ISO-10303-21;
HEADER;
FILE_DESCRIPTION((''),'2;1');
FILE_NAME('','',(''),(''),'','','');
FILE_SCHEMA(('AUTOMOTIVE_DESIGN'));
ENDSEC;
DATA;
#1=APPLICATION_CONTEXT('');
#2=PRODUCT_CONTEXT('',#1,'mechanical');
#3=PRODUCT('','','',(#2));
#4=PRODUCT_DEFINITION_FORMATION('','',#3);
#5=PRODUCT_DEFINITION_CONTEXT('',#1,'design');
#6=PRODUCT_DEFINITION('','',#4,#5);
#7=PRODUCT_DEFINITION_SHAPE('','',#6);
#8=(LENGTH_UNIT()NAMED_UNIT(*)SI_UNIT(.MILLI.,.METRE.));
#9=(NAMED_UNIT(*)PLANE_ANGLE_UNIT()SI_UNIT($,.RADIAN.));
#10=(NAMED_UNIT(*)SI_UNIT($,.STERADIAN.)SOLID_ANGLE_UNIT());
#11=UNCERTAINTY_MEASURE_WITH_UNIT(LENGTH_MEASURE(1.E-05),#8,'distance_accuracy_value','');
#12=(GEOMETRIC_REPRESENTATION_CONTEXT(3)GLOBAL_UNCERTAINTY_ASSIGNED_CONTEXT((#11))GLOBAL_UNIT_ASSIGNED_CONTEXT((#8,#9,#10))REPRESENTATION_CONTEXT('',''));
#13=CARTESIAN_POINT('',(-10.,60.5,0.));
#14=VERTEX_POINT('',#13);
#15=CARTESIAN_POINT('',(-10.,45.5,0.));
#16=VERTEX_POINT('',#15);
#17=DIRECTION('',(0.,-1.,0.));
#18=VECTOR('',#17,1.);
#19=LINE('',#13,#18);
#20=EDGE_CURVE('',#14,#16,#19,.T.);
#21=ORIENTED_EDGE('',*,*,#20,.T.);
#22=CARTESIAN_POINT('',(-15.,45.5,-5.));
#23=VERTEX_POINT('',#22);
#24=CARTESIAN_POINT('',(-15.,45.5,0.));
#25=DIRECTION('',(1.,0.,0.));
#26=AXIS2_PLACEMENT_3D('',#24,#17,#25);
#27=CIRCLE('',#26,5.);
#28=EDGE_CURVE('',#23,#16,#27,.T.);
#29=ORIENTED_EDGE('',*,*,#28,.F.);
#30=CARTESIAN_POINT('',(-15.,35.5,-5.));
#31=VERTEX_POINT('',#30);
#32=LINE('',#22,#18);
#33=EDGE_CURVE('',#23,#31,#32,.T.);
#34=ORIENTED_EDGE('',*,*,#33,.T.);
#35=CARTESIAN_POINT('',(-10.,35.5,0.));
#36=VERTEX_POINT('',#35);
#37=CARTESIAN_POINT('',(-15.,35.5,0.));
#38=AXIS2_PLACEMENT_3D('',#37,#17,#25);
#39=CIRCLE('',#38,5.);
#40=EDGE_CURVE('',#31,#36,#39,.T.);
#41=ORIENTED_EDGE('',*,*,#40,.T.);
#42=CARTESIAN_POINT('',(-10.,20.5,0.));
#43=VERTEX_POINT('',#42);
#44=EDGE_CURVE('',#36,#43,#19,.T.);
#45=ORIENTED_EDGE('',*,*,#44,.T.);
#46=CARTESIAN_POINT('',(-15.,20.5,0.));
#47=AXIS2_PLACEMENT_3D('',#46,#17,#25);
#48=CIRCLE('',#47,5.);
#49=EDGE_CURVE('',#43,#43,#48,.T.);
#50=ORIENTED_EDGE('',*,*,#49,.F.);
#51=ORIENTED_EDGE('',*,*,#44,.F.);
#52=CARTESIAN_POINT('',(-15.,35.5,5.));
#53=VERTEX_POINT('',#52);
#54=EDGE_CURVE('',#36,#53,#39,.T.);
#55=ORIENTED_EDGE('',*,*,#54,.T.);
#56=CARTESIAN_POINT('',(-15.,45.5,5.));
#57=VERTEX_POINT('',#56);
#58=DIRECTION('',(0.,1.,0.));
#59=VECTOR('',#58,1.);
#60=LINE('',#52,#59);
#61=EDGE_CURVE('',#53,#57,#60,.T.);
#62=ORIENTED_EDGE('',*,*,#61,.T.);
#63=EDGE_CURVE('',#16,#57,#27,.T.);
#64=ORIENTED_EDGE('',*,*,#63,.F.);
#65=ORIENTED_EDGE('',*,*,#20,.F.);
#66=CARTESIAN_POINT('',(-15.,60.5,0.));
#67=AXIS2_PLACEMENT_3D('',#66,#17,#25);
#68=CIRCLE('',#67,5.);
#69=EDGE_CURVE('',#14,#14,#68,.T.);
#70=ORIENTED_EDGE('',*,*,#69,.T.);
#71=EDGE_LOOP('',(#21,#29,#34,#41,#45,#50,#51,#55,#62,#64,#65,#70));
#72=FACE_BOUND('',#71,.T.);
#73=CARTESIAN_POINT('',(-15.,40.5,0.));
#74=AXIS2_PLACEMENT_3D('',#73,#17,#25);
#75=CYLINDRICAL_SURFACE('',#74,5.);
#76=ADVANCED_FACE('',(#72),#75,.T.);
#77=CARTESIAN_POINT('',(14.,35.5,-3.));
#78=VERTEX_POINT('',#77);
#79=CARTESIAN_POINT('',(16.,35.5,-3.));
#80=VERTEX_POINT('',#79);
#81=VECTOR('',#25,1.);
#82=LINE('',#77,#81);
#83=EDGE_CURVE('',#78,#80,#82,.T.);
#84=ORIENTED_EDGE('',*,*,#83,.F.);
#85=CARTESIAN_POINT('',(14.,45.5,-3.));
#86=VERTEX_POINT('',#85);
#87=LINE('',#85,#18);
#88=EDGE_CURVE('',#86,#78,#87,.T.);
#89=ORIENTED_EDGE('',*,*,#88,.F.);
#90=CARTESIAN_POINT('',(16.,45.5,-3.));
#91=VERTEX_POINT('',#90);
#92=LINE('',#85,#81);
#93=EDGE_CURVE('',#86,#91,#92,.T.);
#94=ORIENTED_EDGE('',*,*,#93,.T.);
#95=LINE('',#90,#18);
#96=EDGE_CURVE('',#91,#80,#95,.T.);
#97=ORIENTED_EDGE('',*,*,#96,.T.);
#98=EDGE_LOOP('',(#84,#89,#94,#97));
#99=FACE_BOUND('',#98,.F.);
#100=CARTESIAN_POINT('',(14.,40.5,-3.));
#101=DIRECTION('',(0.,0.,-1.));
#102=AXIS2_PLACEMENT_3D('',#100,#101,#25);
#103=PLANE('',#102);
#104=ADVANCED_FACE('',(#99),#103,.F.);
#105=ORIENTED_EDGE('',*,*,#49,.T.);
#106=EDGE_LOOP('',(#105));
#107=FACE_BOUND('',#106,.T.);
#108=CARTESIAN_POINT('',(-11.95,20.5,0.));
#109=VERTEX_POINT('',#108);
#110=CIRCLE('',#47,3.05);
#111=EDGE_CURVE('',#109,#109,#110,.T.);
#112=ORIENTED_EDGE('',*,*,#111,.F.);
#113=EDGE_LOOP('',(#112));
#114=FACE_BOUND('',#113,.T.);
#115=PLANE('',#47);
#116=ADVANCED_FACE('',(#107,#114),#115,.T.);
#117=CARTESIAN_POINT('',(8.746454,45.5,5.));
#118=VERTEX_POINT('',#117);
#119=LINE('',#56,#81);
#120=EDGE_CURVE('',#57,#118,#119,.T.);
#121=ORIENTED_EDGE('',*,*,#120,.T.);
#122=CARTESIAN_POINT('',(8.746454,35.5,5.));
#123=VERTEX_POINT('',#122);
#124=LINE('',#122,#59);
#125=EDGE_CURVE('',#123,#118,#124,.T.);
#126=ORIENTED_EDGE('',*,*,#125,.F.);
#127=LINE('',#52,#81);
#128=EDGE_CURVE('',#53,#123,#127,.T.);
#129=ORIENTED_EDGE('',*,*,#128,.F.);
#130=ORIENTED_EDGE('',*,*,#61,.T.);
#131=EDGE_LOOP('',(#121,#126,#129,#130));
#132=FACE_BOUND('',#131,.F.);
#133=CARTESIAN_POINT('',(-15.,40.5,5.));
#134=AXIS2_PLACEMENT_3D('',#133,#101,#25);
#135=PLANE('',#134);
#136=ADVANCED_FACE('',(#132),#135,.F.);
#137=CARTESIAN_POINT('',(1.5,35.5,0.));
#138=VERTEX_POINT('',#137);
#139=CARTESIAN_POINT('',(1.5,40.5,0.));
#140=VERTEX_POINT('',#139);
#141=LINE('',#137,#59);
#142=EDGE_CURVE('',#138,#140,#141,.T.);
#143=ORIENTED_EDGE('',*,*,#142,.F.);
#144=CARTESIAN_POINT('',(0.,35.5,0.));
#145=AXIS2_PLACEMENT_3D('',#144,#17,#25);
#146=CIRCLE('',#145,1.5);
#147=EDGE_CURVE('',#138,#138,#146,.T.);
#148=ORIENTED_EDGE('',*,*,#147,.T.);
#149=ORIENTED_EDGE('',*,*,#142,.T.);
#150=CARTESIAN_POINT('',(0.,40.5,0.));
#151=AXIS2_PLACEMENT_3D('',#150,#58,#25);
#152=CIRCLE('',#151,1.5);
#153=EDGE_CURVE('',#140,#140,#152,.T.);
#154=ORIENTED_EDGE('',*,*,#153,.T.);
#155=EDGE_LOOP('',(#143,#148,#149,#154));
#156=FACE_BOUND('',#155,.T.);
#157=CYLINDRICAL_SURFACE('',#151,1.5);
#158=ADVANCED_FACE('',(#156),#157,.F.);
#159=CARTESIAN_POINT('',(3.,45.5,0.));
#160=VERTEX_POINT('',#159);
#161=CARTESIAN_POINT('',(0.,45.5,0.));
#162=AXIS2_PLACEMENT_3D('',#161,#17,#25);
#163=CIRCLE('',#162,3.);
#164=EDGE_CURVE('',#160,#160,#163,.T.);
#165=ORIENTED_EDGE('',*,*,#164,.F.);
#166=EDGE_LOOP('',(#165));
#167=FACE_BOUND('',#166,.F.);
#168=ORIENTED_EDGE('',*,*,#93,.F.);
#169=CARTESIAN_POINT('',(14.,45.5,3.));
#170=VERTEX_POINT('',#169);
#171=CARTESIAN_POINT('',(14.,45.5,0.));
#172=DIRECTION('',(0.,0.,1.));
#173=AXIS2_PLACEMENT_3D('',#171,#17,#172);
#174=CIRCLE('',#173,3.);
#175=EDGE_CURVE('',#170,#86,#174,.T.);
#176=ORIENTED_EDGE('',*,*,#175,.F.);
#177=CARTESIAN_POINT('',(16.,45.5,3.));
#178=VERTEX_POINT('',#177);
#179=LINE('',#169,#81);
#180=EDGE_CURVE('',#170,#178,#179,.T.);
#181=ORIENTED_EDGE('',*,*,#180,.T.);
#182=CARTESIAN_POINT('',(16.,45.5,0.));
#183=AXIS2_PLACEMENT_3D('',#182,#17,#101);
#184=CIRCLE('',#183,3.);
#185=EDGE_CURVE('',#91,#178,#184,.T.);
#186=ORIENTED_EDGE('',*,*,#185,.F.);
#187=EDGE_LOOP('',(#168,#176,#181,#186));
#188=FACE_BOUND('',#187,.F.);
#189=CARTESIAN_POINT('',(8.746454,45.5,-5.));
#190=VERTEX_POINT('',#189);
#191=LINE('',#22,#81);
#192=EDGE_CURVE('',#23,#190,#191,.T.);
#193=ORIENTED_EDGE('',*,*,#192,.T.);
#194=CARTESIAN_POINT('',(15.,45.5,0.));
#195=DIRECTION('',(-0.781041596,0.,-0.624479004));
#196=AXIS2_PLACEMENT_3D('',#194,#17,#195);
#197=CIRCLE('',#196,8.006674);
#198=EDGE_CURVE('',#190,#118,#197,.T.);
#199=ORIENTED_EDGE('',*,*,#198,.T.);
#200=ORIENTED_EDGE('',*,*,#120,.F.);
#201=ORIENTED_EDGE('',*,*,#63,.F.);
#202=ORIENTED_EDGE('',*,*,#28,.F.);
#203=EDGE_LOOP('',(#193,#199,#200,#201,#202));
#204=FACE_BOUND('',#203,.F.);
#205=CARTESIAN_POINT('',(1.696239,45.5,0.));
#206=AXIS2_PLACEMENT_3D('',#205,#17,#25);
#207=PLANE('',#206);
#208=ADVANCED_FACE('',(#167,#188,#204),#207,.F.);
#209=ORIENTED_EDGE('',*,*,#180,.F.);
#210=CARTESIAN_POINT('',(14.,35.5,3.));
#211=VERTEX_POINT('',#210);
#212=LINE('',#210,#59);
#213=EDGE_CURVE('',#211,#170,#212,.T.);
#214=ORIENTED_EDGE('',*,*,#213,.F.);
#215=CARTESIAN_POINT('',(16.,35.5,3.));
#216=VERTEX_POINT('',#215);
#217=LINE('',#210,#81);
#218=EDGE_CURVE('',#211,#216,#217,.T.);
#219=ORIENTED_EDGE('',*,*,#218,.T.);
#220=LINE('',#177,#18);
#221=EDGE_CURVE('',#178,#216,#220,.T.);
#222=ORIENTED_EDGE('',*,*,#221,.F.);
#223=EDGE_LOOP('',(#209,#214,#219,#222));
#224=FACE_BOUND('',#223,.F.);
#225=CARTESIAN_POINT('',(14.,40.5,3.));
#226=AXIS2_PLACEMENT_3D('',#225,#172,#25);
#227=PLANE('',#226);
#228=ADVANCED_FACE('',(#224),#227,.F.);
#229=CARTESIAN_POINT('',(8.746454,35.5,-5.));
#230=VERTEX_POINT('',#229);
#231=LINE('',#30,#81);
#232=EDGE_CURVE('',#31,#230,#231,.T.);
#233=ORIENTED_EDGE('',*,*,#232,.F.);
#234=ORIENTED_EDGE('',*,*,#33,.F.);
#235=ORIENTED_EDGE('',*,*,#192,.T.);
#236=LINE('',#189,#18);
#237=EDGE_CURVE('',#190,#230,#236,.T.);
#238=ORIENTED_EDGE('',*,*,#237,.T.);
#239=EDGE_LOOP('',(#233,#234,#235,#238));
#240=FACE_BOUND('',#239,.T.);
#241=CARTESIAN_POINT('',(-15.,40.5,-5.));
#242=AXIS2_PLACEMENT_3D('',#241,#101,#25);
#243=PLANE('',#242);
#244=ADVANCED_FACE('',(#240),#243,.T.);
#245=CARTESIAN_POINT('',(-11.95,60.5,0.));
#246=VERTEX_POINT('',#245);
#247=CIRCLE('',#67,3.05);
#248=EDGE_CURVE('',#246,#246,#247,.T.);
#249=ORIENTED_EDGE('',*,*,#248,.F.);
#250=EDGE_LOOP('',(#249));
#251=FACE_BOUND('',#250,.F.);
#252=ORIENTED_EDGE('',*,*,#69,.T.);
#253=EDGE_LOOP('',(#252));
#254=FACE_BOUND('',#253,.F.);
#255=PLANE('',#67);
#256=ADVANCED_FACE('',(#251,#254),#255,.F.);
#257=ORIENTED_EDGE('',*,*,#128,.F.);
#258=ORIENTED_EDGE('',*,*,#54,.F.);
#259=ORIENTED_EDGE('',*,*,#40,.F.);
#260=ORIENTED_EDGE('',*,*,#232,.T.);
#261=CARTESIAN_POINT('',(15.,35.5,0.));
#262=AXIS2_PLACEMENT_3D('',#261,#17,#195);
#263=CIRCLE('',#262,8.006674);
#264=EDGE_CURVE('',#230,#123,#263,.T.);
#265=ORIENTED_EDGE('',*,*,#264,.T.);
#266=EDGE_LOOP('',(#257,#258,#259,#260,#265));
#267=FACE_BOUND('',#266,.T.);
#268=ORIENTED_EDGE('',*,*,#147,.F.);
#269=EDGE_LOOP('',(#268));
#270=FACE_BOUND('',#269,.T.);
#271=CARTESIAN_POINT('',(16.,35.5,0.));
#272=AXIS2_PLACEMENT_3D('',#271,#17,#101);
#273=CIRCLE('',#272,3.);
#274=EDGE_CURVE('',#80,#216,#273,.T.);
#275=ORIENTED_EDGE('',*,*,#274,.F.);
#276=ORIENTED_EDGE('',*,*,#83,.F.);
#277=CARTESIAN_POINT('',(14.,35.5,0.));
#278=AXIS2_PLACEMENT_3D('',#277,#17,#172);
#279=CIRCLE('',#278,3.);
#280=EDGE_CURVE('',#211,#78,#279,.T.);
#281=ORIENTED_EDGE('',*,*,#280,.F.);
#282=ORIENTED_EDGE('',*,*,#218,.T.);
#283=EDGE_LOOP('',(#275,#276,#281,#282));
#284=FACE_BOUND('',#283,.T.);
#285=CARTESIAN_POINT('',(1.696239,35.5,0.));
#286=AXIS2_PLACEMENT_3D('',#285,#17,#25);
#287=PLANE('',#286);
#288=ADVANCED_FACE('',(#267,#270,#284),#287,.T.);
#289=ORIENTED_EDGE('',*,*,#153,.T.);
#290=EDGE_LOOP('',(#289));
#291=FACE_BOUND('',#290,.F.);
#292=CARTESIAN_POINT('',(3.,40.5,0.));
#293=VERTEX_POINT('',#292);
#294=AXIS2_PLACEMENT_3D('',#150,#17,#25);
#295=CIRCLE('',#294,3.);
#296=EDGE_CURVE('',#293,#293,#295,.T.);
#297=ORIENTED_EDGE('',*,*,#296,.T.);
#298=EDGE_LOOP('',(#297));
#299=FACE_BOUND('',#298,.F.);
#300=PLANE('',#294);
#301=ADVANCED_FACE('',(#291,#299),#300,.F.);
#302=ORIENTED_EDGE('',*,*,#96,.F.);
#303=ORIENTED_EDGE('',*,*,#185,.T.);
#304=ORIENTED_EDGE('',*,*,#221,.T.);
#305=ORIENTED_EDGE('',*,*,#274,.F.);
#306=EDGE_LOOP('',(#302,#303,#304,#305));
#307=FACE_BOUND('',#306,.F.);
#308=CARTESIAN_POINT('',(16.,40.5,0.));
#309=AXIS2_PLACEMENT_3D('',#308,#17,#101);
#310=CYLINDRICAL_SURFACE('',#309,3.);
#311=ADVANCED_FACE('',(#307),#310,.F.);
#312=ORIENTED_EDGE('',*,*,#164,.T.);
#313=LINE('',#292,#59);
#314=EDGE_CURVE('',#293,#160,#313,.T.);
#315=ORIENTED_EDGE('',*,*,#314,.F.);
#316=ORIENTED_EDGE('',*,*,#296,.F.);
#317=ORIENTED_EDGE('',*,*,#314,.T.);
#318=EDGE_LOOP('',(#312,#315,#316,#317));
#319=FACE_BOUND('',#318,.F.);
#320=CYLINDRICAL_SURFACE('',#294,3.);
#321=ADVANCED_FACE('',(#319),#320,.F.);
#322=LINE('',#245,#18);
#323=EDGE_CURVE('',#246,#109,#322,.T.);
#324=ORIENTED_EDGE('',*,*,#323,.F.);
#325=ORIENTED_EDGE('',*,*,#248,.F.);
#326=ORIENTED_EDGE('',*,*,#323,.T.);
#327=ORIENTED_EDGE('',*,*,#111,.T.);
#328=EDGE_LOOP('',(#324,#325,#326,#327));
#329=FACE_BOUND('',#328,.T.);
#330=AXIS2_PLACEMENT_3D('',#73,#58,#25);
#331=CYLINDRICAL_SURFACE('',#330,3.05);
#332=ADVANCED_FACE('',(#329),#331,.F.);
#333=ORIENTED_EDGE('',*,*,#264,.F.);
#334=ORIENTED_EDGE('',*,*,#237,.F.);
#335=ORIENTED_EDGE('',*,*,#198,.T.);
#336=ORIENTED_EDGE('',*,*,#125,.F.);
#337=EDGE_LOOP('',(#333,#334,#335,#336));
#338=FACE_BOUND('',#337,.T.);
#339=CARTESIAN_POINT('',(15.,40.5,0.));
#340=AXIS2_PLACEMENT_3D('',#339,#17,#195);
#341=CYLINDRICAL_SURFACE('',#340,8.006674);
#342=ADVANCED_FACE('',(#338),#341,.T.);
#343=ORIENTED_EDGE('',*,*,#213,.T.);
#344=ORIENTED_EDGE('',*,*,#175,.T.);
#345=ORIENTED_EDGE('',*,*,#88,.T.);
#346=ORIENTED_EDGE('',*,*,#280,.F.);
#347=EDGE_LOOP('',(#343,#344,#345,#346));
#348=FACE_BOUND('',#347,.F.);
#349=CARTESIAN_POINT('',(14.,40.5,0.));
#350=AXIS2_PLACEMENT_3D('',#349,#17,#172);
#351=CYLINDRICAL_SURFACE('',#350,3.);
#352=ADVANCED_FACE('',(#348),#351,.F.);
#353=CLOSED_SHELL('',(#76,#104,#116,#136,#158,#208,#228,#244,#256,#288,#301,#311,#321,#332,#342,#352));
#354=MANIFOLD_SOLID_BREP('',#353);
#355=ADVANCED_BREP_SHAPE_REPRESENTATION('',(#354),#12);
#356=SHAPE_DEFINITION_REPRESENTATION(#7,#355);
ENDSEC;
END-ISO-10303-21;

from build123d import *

# Parameters (mm, degrees)
SKETCH008_R     = 3.05
SKETCH008_R_2   = 1.5
PAD003_DEPTH    = 5
SKETCH009_R     = 5
SKETCH009_R_2   = 3.05
PAD004_DEPTH    = 20
SKETCH011_R     = 3
POCKET004_DEPTH = 10


with BuildPart() as part:
    # Sketch008 → Pad003 (new body, symmetric)
    with BuildSketch(Plane.XZ):
        with BuildLine():
            ThreePointArc((-15, 5), (-20, 0), (-15, -5))
            Line((-15, -5), (8.746454, -5))
            ThreePointArc((8.746454, -5), (23.006674, 0), (8.746454, 5))
            Line((-15, 5), (8.746454, 5))
        make_face()
        with Locations((-15, 0)):
            Circle(SKETCH008_R, mode=Mode.SUBTRACT)
        Circle(SKETCH008_R_2, mode=Mode.SUBTRACT)
        with BuildLine():
            ThreePointArc((14, 3), (11, 0), (14, -3))
            Line((14, -3), (16, -3))
            ThreePointArc((16, -3), (19, 0), (16, 3))
            Line((14, 3), (16, 3))
        make_face(mode=Mode.SUBTRACT)
    extrude(amount=PAD003_DEPTH, both=True)

    # Sketch009 → Pad004 (join, symmetric)
    with BuildSketch(Plane.XZ):
        with Locations((-15, 0)):
            Circle(SKETCH009_R)
        with Locations((-15, 0)):
            Circle(SKETCH009_R_2, mode=Mode.SUBTRACT)
    extrude(amount=PAD004_DEPTH, both=True)

    # Sketch011 → Pocket004 (cut)
    with BuildSketch(Plane.XZ):
        Circle(SKETCH011_R)
    extrude(amount=-POCKET004_DEPTH, mode=Mode.SUBTRACT)


with BuildPart() as part_1:
    # Body017 placement: moved
    add(part.part.moved(Location((0, 40.5, 0))))


solid = part_1.part
